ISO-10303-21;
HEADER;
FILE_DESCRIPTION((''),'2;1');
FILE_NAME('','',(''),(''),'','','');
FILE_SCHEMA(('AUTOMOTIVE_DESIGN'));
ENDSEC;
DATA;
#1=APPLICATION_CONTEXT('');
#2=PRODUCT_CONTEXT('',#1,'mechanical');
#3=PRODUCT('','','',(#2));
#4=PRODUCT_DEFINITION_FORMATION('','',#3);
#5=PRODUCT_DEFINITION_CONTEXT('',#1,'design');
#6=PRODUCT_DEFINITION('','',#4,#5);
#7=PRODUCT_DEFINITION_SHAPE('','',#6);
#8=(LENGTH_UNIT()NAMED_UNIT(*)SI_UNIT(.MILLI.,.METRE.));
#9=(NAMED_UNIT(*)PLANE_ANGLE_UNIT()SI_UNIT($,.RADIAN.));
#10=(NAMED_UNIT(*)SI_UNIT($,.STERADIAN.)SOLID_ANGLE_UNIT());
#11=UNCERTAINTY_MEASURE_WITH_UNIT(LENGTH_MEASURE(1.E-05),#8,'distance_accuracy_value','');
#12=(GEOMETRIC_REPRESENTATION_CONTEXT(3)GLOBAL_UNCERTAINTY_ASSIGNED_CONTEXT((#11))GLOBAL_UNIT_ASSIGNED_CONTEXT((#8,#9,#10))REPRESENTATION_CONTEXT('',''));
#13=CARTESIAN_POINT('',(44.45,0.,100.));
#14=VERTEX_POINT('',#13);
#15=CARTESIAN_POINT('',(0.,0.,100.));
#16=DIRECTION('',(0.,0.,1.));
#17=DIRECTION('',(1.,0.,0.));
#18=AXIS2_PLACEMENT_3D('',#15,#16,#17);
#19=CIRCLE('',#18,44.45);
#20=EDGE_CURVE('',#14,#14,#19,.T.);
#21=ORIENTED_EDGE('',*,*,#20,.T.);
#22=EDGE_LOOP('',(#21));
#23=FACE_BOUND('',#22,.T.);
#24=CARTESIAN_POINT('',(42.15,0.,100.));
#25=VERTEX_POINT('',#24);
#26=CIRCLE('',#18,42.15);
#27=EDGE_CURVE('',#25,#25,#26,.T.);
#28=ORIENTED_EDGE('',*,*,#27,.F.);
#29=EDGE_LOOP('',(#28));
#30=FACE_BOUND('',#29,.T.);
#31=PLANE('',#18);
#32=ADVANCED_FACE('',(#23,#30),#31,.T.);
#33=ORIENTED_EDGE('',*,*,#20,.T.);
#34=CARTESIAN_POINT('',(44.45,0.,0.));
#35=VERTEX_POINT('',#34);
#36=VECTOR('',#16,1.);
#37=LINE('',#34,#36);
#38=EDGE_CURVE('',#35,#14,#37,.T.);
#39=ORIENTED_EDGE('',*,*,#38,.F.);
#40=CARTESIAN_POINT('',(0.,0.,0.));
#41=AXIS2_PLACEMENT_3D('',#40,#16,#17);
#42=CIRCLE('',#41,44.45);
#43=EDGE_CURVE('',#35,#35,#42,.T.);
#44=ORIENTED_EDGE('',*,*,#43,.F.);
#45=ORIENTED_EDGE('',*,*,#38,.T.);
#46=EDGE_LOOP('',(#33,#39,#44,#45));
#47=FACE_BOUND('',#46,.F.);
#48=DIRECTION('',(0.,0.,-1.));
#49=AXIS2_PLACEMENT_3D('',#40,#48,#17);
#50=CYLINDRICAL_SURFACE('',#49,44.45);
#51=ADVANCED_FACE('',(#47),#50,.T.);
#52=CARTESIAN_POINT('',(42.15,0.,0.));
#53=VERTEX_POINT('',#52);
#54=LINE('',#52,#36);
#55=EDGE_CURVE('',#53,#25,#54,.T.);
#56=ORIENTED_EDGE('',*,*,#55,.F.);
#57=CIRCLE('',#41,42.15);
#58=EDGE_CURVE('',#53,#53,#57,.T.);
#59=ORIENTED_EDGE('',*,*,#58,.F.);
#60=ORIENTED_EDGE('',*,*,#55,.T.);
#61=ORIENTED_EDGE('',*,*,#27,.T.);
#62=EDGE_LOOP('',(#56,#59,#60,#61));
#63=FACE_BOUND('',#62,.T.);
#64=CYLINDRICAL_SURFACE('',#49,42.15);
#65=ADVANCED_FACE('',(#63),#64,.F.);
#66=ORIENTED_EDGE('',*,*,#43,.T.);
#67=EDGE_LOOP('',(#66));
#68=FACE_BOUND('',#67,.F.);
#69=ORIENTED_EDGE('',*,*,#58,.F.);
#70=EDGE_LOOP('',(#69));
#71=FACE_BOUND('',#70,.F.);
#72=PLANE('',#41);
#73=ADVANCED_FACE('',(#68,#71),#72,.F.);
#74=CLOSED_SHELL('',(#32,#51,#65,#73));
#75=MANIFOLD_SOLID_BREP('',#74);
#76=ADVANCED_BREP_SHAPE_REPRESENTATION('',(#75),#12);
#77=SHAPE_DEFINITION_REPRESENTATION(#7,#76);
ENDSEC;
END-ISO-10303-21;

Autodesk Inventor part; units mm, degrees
ref_plane "YZ Plane" through (0, 0, 0) normal (1, 0, 0) x (0, 1, 0)
ref_plane "Start plane" through (0, 0, 0) normal (0, 0, 1) x (1, 0, 0)
ref_plane "End plane" through (0, 0, 100) normal (0, 0, 1) x (1, 0, 0)
sketch "Sketch" plane through (0, 0, 0) normal (0, 0, 1) x (1, 0, 0)
  circle A0 centre (0, 0) radius 42.15
  circle A1 centre (0, 0) radius 44.45
  dimension "d0" = 88.9
  dimension "d1" = 2.3
extrude "Body" add sketch "Sketch" along normal up to surface (100 mm away) from surface at 0
sketch "Sketch3" plane through (0, 0, 0) normal (0, 0, 1) x (1, 0, 0)
  line L0 (0, 0) -> (10, 0)
ref_plane "Work Plane3" through (0, 0, 0) normal (0, -1, 0) x (1, 0, 0)
sketch "Sketch4" plane through (0, 0, 0) normal (0, -1, 0) x (1, 0, 0)
  line L0 (-2, 0) -> (12, 0) projected
  line L1 (-2, 100) -> (12, 100) projected
  dimension "d7" = 100
equation "\"d0\" = G_H"
equation "\"d1\" = G_T"
equation "\"d2\" = G_L"
equation "\"G_H\" = 88.9"
equation "\"G_T\" = 2.3"
equation "\"G_L\" = d7"
equation "\"G_OFFSET_START\" = 0"
equation "\"G_OFFSET_END\" = 0"
properties part number "DIN EN ISO 1127-1 - 88,9 x 2,3 - 100" material "Stainless Steel"
